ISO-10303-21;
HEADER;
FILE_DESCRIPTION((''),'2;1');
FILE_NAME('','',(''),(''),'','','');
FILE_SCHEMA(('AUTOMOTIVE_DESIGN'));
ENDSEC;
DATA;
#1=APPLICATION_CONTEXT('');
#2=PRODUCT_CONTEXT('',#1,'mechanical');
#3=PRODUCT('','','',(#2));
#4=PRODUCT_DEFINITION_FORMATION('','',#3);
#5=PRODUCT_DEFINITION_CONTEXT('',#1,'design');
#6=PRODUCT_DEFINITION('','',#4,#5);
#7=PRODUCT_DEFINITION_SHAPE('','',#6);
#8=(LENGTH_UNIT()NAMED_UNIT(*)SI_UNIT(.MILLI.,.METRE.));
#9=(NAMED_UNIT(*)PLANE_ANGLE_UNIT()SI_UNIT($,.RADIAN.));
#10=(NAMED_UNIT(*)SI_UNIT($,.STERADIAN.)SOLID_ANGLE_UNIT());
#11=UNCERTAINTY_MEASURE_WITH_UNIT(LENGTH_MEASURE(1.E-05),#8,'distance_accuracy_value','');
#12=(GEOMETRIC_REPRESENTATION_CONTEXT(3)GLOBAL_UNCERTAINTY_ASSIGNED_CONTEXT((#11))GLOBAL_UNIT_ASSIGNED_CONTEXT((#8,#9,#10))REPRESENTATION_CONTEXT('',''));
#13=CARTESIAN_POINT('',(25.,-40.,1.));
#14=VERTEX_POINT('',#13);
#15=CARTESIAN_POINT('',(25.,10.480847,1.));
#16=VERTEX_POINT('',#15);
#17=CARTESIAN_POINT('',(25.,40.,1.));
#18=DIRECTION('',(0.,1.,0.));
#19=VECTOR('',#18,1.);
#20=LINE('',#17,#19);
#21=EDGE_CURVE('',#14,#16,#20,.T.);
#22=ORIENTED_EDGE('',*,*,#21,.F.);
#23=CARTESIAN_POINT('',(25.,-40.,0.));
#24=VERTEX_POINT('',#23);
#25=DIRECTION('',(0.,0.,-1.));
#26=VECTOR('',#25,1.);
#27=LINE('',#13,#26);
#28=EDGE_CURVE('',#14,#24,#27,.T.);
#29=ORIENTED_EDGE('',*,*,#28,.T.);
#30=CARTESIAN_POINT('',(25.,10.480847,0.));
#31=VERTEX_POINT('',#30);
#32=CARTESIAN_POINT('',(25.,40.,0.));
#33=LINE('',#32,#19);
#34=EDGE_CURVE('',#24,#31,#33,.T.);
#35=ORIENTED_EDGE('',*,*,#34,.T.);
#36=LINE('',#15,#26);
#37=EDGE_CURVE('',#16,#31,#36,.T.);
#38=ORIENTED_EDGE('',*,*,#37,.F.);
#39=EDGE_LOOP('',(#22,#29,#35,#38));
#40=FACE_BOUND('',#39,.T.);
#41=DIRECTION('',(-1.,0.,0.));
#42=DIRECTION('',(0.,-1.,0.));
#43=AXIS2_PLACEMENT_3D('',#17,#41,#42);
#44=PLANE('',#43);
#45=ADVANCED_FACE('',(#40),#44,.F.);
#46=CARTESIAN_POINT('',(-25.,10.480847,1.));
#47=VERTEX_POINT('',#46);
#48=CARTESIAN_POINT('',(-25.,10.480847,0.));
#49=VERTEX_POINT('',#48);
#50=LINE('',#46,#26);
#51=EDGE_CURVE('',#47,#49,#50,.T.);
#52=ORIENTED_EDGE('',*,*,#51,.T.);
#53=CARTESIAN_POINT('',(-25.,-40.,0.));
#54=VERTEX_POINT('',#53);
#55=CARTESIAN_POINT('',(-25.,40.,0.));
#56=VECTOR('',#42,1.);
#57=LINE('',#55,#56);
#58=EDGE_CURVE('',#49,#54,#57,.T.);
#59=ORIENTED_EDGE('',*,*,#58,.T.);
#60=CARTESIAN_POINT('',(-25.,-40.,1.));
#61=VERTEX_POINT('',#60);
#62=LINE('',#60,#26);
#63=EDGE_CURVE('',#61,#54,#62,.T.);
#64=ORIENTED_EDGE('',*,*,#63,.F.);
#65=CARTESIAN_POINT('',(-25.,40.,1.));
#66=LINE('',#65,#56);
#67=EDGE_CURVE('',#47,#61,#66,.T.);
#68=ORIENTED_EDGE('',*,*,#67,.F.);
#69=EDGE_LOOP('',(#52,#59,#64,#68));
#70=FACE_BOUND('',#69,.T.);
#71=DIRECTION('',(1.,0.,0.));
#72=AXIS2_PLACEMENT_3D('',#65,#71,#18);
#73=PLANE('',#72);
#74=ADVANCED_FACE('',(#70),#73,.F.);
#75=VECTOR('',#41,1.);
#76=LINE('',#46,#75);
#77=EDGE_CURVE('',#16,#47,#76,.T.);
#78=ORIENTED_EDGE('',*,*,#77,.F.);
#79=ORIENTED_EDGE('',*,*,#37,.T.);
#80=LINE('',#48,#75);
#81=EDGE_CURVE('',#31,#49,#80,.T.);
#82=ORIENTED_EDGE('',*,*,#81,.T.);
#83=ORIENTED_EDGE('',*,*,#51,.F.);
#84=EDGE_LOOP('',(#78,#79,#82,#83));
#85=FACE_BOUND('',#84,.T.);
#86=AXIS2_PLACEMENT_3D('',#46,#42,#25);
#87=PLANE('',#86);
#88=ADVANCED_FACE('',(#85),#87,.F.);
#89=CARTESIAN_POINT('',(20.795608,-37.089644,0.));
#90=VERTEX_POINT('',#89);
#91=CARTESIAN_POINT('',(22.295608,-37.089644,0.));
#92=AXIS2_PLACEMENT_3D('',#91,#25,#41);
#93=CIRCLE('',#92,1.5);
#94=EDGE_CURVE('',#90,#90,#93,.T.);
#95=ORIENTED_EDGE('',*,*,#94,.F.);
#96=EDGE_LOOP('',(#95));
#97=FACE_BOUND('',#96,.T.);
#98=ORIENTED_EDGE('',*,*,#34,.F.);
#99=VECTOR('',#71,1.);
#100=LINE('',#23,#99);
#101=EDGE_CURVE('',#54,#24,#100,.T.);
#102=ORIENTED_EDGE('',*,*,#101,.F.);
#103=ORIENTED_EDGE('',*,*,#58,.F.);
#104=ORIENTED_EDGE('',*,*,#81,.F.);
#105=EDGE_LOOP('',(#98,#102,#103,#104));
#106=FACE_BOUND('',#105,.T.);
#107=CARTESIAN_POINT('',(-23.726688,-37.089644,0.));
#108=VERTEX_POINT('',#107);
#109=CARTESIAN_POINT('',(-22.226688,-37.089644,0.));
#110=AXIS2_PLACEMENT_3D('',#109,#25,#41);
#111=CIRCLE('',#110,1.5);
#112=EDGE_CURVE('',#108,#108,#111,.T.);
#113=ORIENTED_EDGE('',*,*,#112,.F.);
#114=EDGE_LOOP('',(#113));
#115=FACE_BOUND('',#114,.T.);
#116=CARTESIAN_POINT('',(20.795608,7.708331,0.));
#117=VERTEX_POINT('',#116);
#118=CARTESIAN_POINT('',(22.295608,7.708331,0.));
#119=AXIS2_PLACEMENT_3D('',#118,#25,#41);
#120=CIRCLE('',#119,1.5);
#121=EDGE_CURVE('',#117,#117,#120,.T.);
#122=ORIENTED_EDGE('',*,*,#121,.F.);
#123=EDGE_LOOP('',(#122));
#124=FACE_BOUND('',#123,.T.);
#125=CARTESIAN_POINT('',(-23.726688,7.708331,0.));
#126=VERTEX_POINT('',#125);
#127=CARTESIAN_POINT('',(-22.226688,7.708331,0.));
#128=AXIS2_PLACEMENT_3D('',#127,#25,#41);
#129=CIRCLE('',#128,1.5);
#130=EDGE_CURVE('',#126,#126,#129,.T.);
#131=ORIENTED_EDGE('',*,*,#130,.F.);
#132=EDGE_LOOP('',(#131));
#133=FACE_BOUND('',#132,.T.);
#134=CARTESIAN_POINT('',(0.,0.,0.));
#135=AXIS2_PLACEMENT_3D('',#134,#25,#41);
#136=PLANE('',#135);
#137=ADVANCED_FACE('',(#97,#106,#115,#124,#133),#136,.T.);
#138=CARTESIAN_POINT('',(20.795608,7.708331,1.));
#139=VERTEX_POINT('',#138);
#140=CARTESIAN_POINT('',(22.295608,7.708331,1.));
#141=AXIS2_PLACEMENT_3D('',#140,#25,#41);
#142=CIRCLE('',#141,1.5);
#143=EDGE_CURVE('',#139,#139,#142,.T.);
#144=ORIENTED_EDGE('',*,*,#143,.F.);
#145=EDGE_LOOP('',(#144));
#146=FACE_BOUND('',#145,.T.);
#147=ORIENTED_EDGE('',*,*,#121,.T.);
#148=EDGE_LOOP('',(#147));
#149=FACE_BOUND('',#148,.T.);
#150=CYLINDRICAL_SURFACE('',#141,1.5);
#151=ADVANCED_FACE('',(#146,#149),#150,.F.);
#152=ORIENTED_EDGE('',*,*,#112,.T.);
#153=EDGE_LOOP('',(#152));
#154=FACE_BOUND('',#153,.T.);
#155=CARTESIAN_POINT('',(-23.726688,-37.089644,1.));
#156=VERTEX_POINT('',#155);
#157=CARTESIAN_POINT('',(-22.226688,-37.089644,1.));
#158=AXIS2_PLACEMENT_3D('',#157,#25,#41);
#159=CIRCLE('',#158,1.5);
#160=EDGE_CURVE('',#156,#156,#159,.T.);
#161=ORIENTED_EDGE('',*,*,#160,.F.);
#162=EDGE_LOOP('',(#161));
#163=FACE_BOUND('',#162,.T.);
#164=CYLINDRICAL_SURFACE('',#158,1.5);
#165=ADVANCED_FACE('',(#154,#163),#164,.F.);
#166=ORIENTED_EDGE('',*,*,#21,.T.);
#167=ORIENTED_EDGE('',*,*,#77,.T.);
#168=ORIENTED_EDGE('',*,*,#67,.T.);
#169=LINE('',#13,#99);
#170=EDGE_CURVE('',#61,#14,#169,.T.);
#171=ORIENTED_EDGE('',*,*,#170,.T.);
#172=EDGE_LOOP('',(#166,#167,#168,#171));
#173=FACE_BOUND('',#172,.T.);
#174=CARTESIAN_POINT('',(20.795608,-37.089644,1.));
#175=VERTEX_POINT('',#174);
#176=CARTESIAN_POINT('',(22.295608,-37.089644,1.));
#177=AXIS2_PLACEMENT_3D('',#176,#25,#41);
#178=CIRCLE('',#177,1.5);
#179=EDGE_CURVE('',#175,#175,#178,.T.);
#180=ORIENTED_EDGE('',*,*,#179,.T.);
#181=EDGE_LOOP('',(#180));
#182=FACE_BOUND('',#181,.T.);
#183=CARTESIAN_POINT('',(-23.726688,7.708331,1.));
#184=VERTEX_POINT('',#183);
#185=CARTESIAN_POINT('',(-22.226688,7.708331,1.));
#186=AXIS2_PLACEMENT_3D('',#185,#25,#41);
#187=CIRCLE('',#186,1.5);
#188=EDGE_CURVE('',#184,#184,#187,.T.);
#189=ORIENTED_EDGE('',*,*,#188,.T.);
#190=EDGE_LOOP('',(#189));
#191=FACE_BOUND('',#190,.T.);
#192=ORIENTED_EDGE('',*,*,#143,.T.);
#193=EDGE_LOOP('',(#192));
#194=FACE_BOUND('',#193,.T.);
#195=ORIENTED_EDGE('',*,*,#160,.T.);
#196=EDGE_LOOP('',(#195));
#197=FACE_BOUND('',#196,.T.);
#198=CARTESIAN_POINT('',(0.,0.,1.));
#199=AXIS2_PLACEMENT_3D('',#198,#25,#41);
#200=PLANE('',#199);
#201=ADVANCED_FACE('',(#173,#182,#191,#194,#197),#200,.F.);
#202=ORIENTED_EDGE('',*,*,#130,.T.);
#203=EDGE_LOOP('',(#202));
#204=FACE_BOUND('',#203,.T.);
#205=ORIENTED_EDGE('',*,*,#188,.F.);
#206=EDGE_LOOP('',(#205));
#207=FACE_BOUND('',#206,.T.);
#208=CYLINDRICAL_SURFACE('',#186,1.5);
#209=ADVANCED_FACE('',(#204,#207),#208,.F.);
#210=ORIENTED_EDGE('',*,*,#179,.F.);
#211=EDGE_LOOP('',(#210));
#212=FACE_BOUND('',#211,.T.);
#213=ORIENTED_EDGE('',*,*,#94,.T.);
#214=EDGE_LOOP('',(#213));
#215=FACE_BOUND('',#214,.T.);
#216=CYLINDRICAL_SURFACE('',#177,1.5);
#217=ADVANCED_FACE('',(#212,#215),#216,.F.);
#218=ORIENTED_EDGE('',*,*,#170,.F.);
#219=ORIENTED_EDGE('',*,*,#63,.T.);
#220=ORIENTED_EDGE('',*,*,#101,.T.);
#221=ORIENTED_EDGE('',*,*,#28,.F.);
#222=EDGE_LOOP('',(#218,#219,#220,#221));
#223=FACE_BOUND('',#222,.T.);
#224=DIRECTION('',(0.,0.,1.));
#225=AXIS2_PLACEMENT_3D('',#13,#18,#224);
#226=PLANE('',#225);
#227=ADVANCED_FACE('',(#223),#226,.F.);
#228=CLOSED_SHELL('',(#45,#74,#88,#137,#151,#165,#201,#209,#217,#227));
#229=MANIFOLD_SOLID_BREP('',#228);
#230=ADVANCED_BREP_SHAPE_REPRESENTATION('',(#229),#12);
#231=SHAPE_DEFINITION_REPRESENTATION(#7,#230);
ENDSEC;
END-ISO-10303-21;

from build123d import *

# Parameters (mm, degrees)
SKETCH2_W           = 50
SKETCH2_H           = 80
BOSS_EXTRUDE1_DEPTH = 1
SKETCH3_W           = 50
SKETCH3_H           = 29.519153455
CUT_EXTRUDE1_DEPTH  = 1
SKETCH4_R           = 1.5
CUT_EXTRUDE2_DEPTH  = 1


with BuildPart() as part:
    # Sketch2 → Boss-Extrude1 (new body)
    with BuildSketch(Plane.XY):
        Rectangle(SKETCH2_W, SKETCH2_H)
    extrude(amount=BOSS_EXTRUDE1_DEPTH)

    # Sketch3 → Cut-Extrude1 (cut)
    with BuildSketch(Plane(origin=(0, 0, 0), x_dir=(-1, 0, 0), z_dir=(0, 0, -1))):
        with Locations((0, 25.240423272)):
            Rectangle(SKETCH3_W, SKETCH3_H)
    extrude(amount=-CUT_EXTRUDE1_DEPTH, mode=Mode.SUBTRACT)

    # Sketch4 → Cut-Extrude2 (cut)
    with BuildSketch(Plane(origin=(0, 0, 0), x_dir=(-1, 0, 0), z_dir=(0, 0, -1))):
        with Locations((-22.295607623, 7.7083308)):
            Circle(SKETCH4_R)
        with Locations((-22.295607623, -37.089644331)):
            Circle(SKETCH4_R)
        with Locations((22.226687661, 7.7083308)):
            Circle(SKETCH4_R)
        with Locations((22.226687661, -37.089644331)):
            Circle(SKETCH4_R)
    extrude(amount=-CUT_EXTRUDE2_DEPTH, mode=Mode.SUBTRACT)


solid = part.part
